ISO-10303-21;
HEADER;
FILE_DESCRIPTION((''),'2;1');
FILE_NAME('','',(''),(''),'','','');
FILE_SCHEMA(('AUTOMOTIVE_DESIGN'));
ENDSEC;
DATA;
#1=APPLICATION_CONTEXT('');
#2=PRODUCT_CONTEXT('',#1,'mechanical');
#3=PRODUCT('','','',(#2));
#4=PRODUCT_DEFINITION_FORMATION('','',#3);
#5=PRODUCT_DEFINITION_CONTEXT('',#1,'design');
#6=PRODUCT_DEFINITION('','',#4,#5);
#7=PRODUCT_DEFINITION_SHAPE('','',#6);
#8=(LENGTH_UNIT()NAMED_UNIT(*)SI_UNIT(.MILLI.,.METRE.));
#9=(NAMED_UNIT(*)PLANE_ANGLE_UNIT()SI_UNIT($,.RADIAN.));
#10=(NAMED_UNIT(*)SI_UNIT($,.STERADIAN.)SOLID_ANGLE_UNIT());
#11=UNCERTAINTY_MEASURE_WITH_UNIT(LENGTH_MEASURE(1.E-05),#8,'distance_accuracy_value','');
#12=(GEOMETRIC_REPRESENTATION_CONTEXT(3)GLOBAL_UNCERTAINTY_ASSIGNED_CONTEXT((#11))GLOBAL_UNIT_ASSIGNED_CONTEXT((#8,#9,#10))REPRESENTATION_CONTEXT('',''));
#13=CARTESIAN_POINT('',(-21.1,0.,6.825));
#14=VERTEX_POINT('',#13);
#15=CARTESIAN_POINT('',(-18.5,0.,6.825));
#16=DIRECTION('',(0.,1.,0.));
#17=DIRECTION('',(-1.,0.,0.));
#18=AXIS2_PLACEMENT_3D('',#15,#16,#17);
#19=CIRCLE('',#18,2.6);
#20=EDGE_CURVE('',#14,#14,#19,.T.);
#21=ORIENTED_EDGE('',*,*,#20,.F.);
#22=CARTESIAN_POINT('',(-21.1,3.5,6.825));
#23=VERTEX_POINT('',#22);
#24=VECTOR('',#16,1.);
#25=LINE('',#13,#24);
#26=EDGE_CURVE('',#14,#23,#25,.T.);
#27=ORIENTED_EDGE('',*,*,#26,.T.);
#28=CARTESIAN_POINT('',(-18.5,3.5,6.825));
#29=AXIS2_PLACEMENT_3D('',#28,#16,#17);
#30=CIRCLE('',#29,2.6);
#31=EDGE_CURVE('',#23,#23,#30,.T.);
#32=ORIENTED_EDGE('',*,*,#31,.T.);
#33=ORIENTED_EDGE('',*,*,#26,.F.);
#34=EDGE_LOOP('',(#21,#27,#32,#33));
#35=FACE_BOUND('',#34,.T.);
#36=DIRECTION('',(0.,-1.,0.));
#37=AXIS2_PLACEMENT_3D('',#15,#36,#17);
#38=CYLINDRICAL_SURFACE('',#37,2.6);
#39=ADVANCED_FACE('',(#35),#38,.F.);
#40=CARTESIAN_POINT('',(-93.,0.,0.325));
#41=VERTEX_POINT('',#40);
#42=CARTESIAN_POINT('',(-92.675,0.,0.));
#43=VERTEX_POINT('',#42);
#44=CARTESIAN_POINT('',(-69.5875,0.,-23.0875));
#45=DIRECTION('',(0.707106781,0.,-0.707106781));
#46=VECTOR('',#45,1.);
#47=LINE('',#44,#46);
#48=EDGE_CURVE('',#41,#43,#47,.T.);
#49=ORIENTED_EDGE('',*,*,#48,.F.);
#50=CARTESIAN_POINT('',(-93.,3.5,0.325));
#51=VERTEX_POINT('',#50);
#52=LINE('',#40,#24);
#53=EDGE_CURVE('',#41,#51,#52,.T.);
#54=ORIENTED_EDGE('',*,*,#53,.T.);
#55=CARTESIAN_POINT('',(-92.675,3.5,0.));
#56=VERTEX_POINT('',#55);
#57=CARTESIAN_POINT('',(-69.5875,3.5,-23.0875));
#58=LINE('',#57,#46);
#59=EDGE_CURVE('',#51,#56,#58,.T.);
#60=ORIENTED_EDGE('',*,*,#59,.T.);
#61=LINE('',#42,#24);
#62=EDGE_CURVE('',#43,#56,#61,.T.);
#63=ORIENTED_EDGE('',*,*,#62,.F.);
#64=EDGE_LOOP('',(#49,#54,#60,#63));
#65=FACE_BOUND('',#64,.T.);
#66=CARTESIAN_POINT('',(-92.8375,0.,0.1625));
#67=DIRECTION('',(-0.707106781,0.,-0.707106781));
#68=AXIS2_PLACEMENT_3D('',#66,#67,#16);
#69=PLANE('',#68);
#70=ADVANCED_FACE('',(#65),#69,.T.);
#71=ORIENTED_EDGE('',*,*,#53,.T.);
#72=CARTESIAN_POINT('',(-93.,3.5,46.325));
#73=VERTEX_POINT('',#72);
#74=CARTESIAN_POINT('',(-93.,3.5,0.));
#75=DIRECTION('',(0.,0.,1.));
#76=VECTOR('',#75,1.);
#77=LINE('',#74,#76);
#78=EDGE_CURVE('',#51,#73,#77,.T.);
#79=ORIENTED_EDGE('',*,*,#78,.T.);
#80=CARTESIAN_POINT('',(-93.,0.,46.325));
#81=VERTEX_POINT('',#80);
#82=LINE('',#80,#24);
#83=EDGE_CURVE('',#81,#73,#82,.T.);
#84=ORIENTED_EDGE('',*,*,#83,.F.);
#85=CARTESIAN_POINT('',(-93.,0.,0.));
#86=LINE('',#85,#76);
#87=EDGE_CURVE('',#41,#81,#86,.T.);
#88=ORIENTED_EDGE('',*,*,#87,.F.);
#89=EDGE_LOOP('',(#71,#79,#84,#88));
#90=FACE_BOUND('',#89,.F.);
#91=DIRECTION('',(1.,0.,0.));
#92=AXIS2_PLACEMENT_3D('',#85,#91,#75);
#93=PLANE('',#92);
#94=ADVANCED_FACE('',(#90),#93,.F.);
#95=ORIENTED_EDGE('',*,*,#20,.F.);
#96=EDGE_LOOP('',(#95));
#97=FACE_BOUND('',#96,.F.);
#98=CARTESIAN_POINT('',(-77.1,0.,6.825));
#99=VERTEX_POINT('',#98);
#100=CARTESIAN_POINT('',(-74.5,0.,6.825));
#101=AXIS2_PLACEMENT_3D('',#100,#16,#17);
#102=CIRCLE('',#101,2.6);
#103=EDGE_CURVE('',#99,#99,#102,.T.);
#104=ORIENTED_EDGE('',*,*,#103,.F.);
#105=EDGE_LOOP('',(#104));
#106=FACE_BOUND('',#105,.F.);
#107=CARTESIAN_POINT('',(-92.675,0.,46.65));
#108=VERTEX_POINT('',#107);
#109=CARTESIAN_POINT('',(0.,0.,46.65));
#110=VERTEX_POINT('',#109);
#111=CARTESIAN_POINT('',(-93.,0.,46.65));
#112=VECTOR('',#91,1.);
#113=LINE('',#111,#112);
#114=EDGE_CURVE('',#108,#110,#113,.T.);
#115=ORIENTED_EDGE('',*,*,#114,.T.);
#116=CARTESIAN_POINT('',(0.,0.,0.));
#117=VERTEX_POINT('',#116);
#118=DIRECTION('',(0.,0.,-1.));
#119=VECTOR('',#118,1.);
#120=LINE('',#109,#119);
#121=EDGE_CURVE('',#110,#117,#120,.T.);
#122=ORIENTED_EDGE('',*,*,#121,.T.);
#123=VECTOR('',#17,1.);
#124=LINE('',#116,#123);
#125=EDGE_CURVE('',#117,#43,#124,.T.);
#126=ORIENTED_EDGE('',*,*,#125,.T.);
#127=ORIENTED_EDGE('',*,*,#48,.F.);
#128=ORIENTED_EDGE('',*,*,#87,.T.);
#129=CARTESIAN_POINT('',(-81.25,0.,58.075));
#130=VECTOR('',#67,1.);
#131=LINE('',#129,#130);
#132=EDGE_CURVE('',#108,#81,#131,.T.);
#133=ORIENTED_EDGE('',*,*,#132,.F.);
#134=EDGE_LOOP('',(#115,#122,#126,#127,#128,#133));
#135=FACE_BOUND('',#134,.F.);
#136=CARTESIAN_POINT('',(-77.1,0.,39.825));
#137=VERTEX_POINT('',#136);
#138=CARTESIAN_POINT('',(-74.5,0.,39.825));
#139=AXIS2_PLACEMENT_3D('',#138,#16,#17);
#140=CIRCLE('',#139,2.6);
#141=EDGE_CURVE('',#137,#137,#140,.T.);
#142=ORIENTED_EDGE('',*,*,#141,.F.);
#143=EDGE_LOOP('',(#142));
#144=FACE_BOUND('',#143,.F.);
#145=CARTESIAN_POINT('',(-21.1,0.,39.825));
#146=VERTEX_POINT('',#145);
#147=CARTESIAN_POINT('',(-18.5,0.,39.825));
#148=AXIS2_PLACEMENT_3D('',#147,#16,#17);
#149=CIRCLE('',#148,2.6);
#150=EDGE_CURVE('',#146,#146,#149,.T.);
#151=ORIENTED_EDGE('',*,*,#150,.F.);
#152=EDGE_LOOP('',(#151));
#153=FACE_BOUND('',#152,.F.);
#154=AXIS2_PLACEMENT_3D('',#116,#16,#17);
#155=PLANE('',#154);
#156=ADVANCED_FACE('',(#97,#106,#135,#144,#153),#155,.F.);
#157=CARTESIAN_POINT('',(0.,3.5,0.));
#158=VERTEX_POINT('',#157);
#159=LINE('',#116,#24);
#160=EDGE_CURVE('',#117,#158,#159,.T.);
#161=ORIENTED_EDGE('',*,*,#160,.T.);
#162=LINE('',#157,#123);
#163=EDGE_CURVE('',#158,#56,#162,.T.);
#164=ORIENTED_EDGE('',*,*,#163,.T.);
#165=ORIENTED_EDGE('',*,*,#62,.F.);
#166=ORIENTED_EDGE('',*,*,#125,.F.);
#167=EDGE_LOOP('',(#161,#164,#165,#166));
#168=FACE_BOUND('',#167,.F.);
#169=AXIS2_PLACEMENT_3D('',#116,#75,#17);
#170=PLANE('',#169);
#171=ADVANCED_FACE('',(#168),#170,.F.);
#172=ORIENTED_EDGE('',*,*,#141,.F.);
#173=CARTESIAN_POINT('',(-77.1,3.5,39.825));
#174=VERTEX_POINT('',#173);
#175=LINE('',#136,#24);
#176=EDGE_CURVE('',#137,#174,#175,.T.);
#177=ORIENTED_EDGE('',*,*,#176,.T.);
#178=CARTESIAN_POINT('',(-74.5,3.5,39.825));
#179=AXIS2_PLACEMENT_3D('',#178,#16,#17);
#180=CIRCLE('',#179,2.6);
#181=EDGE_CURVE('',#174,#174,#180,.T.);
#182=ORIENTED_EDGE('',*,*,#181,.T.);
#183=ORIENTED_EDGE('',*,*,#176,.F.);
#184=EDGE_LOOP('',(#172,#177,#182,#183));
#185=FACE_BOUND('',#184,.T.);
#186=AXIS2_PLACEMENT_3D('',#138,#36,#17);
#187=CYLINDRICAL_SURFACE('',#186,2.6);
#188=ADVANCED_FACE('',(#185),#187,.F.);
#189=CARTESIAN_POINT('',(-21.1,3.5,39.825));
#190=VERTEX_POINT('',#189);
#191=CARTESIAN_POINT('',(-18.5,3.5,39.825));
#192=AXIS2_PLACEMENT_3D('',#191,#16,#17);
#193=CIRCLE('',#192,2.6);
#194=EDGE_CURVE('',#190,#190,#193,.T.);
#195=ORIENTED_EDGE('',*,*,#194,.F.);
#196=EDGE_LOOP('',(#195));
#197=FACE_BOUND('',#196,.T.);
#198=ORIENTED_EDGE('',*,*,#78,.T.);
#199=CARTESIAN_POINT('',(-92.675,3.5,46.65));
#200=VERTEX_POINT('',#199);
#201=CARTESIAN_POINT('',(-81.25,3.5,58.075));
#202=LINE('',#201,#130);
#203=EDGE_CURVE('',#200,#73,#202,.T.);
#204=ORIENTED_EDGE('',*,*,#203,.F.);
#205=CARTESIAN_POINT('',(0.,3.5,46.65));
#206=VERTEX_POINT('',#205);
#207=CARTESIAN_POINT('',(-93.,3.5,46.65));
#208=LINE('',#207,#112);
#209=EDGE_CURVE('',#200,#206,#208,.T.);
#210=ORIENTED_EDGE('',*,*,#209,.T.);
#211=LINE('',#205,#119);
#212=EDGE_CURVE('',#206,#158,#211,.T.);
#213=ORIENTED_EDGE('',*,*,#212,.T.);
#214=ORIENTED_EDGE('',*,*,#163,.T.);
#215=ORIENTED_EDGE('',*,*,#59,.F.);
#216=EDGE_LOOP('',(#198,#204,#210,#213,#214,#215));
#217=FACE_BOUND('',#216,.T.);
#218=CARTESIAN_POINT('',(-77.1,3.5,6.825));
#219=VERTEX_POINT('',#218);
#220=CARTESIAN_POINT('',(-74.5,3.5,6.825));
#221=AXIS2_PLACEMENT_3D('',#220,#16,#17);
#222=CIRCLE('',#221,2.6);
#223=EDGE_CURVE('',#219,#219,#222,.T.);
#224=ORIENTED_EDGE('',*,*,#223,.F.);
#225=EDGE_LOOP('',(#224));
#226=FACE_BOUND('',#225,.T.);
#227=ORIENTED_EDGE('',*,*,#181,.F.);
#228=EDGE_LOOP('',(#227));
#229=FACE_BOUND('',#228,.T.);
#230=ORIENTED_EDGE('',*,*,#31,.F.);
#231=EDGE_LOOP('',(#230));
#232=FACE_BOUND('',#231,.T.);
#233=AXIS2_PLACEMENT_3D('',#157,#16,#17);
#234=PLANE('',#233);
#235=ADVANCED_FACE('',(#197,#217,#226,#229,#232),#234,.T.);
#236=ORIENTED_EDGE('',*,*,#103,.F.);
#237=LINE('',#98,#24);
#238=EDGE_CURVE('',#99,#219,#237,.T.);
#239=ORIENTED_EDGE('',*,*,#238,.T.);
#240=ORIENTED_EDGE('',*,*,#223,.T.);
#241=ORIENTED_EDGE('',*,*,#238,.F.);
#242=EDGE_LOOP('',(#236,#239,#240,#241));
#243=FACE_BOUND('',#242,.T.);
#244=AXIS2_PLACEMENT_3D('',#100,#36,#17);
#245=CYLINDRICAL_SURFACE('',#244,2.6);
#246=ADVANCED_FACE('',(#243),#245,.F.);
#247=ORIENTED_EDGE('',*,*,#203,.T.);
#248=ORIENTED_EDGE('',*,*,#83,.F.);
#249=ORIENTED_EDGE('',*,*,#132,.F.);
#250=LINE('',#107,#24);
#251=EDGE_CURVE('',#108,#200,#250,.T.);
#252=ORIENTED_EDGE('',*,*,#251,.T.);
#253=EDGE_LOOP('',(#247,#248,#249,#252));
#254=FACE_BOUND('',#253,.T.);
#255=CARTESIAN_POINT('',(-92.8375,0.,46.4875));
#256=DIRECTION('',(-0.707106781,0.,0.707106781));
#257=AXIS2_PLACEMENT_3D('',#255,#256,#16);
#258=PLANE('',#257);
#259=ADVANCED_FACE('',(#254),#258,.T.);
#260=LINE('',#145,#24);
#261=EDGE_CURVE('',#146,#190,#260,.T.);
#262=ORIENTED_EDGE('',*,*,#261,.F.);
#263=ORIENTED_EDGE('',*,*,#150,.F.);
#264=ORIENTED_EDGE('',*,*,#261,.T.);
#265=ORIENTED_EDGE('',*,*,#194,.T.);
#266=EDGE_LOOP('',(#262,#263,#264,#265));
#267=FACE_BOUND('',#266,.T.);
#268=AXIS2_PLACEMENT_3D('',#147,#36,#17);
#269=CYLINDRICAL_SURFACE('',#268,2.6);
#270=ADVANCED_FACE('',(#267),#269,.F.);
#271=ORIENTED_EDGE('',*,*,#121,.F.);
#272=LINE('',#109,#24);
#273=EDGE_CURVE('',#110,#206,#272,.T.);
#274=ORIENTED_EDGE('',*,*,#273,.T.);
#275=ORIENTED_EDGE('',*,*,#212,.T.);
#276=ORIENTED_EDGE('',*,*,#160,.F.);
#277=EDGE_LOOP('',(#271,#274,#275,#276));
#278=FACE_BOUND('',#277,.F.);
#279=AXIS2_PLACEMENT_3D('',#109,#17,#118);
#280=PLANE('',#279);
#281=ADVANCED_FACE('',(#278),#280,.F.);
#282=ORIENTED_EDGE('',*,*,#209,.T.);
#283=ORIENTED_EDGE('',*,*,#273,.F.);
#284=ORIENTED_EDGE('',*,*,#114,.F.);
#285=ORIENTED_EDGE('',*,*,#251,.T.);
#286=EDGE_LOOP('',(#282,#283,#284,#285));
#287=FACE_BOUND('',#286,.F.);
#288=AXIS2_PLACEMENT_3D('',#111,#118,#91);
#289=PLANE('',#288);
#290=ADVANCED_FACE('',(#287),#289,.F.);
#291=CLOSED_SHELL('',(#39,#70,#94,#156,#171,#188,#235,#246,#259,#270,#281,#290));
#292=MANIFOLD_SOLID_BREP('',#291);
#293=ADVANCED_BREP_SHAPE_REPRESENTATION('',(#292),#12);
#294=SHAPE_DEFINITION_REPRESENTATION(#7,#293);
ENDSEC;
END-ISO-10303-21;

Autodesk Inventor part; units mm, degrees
ref_plane "YZ Plane" through (0, 0, 0) normal (1, 0, 0) x (0, 1, 0)
ref_plane "XZ Plane" through (0, 0, 0) normal (0, 1, 0) x (-1, 0, 0)
ref_plane "XY Plane" through (0, 0, 0) normal (0, 0, 1) x (1, 0, 0)
sketch "Sketch1" plane through (0, 0, 0) normal (0, 1, 0) x (-1, 0, 0)
  line L0 (0, 0) -> (93, 0)
  line L1 (93, 0) -> (93, 46.65)
  line L2 (93, 46.65) -> (0, 46.65)
  line L3 (0, 46.65) -> (0, 0)
  line L4 (74.5, 39.825) -> (18.5, 39.825) construction
  line L5 (18.5, 39.825) -> (18.5, 6.825) construction
  line L6 (18.5, 6.825) -> (74.5, 6.825) construction
  line L7 (74.5, 6.825) -> (74.5, 39.825) construction
  line L8 (74.5, 39.825) -> (93, 39.825) construction
  line L9 (74.5, 39.825) -> (74.5, 46.65) construction
  line L10 (18.5, 6.825) -> (18.5, 0) construction
  line L11 (18.5, 6.825) -> (0, 6.825) construction
  circle A0 centre (74.5, 39.825) radius 2.6
  circle A1 centre (74.5, 6.825) radius 2.6
  circle A2 centre (18.5, 6.825) radius 2.6
  circle A3 centre (18.5, 39.825) radius 2.6
  dimension "d0" = 46.65
  dimension "d1" = 93
  dimension "d2" = 33
  dimension "d3" = 56
  dimension "d4" = 5.2
  dimension "d5" = 5.2
  dimension "d6" = 5.2
  dimension "d7" = 5.2
extrude "Extrusion1" add sketch "Sketch1" along normal blind 3.5
chamfer "Chamfer1" distance 0.325 angle 45 2 edges at (-93, 1.75, 46.65) (-93, 1.75, 0)
equation "\"d5\" = d4"
equation "\"d6\" = d4"
equation "\"d7\" = d4"
properties part number "X Axis Belt Tentoner NON ADJUSTABLE Top"
